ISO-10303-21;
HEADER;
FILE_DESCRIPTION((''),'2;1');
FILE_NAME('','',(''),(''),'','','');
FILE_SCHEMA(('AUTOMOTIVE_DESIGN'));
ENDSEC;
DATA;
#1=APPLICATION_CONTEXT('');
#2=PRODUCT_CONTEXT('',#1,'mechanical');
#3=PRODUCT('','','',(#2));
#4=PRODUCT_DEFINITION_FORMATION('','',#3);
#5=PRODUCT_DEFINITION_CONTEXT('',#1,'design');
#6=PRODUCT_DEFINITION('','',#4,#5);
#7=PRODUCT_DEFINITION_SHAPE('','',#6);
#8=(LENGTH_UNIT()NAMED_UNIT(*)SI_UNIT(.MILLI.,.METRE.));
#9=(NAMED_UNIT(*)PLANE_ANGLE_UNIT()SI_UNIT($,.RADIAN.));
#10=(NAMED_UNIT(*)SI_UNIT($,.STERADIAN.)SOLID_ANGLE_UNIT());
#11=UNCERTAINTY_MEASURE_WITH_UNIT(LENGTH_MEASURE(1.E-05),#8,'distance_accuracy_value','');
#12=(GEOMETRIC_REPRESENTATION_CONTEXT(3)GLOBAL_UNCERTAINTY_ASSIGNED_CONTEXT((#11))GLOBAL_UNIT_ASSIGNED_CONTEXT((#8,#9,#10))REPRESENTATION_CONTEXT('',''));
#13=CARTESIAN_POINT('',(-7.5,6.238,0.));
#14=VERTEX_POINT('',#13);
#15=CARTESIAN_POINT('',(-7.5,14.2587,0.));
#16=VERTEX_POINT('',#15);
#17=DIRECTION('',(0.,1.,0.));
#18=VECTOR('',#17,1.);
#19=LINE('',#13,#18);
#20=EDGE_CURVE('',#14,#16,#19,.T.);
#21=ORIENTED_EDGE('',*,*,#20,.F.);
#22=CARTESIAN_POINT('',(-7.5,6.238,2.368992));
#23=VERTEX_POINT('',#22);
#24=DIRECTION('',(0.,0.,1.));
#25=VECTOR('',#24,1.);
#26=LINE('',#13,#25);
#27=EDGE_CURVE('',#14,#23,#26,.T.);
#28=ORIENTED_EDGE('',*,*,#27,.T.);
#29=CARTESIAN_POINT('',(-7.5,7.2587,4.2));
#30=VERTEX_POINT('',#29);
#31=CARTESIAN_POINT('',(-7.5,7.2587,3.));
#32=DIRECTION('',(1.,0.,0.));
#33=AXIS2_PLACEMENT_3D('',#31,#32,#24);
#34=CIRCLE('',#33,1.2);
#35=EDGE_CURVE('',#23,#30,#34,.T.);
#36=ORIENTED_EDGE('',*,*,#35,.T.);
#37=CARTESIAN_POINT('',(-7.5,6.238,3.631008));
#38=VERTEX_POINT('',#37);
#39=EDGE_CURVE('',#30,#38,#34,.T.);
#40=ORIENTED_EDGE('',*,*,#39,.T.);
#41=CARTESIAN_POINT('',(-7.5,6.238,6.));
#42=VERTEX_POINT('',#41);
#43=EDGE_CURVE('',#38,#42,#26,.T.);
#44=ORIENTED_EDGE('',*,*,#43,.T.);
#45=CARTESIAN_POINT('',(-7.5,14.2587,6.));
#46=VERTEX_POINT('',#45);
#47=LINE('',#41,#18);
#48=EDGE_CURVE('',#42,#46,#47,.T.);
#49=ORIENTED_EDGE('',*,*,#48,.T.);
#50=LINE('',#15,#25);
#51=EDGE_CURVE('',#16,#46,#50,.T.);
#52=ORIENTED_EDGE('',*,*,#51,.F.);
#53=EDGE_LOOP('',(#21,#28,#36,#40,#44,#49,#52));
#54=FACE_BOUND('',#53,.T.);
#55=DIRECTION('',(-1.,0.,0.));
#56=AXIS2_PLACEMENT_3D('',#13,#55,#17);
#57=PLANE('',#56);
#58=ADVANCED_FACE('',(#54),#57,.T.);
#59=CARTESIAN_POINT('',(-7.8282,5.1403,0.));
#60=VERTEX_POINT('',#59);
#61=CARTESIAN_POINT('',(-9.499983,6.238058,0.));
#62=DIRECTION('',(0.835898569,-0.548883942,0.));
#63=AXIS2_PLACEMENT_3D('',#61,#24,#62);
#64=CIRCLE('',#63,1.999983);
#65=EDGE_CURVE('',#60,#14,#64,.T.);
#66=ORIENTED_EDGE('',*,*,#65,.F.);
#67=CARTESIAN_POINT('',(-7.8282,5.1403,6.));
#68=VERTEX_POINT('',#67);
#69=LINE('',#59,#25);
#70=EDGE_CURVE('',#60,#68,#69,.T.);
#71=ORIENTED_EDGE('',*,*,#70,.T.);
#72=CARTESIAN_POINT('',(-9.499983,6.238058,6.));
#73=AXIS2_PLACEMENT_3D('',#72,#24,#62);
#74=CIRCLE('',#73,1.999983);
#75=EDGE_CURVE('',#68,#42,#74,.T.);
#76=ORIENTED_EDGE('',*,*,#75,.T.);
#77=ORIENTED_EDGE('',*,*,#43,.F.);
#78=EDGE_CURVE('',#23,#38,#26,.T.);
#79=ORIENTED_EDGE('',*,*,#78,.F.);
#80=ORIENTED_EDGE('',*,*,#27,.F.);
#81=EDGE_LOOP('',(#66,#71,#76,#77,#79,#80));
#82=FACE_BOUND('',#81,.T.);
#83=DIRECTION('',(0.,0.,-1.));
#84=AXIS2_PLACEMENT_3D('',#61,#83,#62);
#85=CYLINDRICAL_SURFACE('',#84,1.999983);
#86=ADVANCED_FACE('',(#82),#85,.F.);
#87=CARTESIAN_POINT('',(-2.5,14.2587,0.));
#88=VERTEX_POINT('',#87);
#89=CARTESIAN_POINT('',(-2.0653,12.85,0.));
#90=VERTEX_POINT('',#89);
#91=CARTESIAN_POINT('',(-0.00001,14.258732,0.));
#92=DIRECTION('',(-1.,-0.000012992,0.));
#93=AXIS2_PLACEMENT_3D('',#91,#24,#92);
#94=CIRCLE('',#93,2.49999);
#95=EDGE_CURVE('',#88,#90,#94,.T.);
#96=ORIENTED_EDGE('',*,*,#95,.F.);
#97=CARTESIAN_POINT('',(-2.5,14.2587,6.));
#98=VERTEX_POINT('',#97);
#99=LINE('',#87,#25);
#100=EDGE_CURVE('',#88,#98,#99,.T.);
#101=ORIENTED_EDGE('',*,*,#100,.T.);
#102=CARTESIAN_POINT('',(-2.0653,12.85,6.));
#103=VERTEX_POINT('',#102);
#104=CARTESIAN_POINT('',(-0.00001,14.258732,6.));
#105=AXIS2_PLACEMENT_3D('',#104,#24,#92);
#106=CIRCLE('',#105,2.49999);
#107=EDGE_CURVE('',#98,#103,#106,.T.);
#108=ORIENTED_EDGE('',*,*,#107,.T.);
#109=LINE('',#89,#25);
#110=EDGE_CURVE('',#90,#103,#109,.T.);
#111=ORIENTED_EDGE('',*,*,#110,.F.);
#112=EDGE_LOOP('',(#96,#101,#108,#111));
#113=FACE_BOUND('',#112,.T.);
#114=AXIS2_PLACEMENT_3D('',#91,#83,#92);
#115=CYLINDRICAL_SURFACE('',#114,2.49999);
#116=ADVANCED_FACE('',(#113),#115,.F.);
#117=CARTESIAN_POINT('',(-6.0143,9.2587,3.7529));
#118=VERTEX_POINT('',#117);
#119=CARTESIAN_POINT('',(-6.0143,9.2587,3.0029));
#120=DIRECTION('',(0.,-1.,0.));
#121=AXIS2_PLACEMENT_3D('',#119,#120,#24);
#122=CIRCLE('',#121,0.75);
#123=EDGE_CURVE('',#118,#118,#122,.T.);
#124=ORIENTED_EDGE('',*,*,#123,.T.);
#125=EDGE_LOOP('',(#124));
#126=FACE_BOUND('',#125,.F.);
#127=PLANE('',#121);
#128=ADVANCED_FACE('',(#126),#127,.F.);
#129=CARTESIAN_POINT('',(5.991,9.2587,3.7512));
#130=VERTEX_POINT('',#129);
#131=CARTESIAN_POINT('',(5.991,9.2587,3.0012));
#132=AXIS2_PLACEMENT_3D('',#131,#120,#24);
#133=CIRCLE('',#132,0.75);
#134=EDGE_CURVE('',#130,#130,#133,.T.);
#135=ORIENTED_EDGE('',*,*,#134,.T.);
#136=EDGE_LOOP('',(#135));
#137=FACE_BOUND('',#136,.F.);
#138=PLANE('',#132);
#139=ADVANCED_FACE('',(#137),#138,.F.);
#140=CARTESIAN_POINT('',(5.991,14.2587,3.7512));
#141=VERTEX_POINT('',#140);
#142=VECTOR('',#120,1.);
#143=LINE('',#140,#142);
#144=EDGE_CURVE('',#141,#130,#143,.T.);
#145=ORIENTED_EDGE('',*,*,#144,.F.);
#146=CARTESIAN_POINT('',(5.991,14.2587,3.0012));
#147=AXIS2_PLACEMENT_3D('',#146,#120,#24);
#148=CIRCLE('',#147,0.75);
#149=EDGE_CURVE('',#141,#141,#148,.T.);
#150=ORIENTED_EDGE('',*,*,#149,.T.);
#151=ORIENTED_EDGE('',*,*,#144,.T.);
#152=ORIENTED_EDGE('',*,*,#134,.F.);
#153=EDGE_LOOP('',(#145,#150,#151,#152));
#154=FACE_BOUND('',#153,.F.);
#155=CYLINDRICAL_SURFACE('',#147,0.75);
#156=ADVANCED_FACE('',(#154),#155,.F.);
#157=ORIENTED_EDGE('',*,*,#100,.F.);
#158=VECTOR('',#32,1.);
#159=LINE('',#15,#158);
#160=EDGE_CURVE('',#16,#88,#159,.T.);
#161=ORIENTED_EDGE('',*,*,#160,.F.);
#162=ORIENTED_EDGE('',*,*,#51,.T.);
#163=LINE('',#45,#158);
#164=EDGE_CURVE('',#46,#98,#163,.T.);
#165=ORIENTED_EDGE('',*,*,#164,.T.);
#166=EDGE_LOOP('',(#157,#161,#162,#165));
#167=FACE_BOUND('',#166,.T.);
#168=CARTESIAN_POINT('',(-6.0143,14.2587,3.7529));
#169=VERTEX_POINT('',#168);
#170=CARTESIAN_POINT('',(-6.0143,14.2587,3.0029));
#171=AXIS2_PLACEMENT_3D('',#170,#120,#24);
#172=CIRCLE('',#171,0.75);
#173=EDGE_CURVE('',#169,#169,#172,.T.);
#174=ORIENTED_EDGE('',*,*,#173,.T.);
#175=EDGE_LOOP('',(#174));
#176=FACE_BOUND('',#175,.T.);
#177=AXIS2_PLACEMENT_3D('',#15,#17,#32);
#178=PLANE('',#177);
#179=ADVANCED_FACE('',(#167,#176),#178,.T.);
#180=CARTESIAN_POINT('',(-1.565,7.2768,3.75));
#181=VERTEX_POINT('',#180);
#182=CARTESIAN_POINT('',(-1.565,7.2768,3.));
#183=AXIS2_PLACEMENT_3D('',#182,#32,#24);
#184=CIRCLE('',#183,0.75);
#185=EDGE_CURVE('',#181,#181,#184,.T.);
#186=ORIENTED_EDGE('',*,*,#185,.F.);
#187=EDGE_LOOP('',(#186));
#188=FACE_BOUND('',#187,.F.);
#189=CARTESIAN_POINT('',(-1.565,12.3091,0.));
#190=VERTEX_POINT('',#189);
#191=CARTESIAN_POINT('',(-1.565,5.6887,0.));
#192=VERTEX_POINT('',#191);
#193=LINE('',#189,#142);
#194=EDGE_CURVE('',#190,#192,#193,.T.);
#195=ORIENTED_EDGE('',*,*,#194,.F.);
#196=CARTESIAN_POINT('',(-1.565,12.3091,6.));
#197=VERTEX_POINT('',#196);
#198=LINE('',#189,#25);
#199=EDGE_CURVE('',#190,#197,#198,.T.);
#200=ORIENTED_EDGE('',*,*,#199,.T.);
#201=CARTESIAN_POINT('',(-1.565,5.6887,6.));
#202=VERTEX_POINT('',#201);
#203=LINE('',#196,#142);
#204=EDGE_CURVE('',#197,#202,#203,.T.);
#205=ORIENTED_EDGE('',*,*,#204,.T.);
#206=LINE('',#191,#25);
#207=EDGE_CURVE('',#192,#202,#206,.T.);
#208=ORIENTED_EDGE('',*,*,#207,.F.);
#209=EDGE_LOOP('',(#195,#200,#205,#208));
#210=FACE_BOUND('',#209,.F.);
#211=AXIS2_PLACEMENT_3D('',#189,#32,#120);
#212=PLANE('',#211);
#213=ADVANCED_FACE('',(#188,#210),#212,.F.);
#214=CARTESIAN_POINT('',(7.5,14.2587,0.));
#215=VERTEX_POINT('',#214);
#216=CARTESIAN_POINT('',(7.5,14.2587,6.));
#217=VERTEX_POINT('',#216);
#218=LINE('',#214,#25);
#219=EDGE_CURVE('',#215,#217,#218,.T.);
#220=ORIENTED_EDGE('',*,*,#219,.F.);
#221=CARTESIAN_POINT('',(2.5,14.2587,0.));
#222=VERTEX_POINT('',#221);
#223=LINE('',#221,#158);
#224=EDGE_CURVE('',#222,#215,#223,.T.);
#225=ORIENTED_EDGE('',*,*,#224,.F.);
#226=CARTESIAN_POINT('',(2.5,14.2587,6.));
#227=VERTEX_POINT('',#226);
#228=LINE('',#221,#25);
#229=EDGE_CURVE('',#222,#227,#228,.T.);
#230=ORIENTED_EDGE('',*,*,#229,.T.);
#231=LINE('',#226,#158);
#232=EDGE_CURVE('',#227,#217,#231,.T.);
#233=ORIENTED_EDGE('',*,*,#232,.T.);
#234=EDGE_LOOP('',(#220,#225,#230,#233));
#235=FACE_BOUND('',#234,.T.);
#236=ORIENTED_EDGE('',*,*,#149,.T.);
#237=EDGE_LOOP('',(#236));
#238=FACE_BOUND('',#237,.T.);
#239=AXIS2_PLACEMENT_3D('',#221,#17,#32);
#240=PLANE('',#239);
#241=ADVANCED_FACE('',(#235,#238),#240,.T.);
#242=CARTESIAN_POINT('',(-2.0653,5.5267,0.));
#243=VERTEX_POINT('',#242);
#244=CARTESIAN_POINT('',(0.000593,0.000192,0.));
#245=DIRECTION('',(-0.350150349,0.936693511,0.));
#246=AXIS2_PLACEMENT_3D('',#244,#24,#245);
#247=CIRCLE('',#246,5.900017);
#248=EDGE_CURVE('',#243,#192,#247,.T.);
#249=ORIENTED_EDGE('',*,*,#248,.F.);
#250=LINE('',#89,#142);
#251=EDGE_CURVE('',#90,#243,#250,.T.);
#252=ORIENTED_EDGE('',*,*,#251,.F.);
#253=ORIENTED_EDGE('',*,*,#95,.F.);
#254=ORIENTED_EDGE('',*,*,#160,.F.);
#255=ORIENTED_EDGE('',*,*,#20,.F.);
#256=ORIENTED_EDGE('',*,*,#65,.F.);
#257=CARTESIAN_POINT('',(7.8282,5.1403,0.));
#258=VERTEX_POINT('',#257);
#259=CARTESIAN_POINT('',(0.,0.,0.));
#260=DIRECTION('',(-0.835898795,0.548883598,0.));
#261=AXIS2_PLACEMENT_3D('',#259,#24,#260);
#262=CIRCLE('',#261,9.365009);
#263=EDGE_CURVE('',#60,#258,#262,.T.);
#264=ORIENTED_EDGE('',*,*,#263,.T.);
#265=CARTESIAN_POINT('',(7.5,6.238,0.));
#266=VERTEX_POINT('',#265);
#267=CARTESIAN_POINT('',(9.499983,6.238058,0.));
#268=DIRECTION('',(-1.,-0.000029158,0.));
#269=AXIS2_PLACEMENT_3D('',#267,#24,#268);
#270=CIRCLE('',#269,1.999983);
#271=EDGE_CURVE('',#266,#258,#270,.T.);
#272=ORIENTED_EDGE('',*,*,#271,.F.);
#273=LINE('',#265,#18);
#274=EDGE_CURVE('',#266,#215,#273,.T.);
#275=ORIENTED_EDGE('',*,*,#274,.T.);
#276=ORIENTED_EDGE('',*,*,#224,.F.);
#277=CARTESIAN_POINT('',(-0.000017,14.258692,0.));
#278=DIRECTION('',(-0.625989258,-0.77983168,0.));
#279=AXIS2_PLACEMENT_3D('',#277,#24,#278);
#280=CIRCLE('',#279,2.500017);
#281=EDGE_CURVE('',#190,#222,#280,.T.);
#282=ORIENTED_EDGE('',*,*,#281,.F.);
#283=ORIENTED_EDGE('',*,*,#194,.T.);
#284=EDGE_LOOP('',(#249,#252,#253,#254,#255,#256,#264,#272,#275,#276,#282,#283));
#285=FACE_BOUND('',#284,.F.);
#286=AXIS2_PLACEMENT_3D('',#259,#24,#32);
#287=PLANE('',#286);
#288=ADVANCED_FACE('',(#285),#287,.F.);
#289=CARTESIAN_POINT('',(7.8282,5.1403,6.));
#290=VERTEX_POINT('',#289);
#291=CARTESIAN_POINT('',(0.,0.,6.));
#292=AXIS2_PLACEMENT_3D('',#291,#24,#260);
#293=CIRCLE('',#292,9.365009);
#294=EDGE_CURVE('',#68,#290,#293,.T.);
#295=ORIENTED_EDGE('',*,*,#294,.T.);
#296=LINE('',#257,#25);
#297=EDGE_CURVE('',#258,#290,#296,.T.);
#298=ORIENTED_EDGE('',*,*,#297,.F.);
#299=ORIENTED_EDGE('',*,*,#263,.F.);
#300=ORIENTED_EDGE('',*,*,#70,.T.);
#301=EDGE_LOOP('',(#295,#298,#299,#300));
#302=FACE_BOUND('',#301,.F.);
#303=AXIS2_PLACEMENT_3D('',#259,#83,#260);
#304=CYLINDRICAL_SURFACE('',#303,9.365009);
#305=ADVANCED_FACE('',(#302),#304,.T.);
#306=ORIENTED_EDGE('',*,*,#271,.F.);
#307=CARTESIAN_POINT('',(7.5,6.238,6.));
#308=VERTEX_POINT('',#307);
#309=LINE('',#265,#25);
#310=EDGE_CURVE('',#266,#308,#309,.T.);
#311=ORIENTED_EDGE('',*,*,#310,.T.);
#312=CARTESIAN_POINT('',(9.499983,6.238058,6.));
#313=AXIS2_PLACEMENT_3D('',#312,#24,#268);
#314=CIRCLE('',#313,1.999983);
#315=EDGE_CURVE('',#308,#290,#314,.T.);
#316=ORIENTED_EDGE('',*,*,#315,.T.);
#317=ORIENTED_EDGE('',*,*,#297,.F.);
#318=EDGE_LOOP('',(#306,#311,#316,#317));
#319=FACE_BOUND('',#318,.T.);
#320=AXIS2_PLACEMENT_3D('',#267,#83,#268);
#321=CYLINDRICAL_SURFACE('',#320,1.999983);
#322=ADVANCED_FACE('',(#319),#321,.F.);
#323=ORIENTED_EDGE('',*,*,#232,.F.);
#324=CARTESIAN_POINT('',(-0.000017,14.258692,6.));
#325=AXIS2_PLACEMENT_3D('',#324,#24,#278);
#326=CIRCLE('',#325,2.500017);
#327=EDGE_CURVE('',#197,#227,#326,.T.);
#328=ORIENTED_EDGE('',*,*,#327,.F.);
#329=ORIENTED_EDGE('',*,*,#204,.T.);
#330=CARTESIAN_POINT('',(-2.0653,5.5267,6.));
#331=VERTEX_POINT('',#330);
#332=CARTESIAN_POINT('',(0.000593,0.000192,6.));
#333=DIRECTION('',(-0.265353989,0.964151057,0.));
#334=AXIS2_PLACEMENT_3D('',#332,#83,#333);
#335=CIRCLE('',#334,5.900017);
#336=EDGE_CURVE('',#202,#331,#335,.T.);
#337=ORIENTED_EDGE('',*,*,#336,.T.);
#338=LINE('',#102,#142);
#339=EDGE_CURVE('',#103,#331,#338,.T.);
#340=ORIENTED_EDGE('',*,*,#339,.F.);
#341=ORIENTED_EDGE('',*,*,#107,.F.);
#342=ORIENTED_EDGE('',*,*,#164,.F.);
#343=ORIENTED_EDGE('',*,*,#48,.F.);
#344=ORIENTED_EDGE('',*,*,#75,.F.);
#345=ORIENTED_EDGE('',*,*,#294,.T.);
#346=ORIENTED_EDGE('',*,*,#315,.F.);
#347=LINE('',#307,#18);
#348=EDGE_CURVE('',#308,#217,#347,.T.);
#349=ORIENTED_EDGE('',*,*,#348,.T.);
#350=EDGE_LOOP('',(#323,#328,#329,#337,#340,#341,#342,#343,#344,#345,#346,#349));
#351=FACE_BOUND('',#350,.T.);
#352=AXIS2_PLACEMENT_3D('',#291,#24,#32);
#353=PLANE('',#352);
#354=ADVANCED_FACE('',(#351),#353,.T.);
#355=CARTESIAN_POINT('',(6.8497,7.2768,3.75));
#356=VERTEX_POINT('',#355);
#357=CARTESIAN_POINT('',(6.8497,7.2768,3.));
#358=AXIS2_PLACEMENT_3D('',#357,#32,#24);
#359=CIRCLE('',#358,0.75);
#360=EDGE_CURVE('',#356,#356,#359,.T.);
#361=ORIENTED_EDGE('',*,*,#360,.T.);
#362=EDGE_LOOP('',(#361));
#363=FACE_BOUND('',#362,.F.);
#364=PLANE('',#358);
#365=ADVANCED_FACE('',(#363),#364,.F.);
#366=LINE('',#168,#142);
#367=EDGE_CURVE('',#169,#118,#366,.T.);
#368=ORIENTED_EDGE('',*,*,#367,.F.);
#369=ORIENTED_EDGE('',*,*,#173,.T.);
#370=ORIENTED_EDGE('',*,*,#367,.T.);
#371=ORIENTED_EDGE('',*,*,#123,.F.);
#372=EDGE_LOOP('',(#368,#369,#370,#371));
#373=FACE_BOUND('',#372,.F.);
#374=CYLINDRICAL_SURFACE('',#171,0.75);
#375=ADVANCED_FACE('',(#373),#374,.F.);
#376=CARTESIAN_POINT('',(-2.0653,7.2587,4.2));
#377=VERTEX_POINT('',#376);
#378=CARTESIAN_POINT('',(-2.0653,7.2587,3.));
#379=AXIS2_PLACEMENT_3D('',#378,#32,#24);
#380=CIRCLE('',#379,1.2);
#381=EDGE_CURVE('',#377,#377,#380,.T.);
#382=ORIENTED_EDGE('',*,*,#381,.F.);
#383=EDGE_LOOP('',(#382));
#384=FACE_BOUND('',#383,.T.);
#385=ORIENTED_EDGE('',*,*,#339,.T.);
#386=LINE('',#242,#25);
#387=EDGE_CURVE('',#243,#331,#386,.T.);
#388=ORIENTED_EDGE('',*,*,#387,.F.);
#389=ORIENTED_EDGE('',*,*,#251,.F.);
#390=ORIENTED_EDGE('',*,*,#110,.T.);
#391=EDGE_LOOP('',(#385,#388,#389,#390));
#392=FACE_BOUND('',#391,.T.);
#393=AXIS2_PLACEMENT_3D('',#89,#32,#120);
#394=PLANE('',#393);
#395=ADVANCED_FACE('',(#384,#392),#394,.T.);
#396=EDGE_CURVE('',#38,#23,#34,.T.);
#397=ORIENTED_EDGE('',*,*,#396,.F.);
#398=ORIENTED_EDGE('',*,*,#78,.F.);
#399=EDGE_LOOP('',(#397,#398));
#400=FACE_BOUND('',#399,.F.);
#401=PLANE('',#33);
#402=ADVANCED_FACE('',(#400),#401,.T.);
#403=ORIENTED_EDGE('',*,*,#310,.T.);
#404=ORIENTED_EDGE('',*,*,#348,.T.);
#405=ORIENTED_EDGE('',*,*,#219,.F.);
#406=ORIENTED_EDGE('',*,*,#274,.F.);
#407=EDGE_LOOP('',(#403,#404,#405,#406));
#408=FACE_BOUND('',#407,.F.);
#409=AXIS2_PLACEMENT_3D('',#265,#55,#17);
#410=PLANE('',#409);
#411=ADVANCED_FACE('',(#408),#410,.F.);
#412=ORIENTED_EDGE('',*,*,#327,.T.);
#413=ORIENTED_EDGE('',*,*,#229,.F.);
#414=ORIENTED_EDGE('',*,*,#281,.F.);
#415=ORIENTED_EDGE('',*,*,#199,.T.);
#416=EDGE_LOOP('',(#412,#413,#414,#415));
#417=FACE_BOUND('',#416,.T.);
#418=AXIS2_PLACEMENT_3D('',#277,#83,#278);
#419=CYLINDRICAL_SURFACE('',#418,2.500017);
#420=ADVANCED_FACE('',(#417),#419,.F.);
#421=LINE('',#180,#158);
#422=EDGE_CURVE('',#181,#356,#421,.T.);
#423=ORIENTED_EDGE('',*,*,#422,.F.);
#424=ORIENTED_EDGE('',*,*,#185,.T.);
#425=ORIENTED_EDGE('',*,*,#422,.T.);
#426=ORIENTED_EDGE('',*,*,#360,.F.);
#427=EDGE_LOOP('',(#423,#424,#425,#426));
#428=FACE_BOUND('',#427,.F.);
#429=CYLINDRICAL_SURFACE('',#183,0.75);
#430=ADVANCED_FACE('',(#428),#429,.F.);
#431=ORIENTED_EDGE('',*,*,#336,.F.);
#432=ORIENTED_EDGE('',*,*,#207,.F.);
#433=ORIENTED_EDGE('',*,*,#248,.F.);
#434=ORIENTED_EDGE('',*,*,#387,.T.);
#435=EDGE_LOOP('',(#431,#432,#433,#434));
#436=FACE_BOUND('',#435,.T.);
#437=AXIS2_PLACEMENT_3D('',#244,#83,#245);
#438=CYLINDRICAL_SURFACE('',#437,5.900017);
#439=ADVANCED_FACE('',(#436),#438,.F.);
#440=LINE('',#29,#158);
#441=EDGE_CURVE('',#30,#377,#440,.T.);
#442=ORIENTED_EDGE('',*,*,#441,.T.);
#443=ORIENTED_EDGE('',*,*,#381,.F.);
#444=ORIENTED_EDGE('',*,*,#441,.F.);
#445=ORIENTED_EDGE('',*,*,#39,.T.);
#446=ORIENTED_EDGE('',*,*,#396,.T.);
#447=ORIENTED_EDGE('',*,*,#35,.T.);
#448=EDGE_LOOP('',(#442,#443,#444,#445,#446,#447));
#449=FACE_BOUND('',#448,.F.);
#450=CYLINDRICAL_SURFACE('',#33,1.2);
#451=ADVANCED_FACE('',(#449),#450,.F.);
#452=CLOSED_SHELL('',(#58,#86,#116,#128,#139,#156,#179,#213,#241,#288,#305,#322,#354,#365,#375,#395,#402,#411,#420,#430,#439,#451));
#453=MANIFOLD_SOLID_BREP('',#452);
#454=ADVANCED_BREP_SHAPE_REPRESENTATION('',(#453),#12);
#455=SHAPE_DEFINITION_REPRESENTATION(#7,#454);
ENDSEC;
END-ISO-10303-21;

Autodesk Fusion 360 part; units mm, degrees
sketch "Sketch1" plane through (0, 0, 0) normal (0, 0, 1) x (1, 0, 0)
  line L0 (-7.5, 14.2587) -> (-2.5, 14.2587)
  line L1 (-2.0653, 12.85) -> (-2.0653, 5.5267)
  arc A0 (-7.8282, 5.1403) -> (7.8282, 5.1403) centre (0, 0) ccw
  line L2 (-1.565, 12.3091) -> (-1.565, 5.6887)
  line L3 (-2.0653, 5.5267) -> (-2.0653, 12.85)
  line L4 (-7.5, 14.2587) -> (-2.5, 14.2587)
  line L5 (2.5, 14.2587) -> (7.5, 14.2587)
  arc A1 (-2.0653, 5.5267) -> (-1.565, 5.6887) centre (0, 0) ccw
  line L6 (-2.5, -19.9263) -> (2.5, -19.9263)
  arc A2 (-1.565, 12.3091) -> (2.5, 14.2587) centre (0, 14.2587) ccw
  arc A3 (-2.5, 14.2587) -> (-2.0653, 12.85) centre (0, 14.2587) ccw
  line L7 (0, 0) -> (-7.5, 0)
  line L8 (-7.5, 6.238) -> (-7.5, 14.2587)
  line L9 (0, 0) -> (7.5, 0)
  line L10 (7.5, 6.238) -> (7.5, 14.2587)
  line L11 (0, 17.4341) -> (0, 17.3504)
  arc A4 (-7.8282, 5.1403) -> (-7.5, 6.238) centre (-9.5, 6.238) ccw
  arc A5 (7.5, 6.238) -> (7.8282, 5.1403) centre (9.5, 6.238) ccw
  dimension "d1" = 11.8
  dimension "d5" = 5
  dimension "d25" = 7.5
  dimension "d26" = 7.5
  dimension "d27" = 2
extrude "Extrude1" add sketch "Sketch1" along normal blind 6 contours L0 L1 A0 L2 L3 L4 L5 A1 A2 A3 L8 L10 A4 A5
hole "Hole1" at (-7.5, 7.2587, 3) direction (1, 0, 0) diameter 2.4 depth 5.6892 tip angle 180
hole "Hole2" at (-1.565, 7.2768, 3) direction (1, 0, 0) diameter 1.5 depth 8.4147 tip angle 180
sketch "Sketch2" plane through (0, 14.2587, 0) normal (0, 1, 0) x (-1, 0, 0)
  line L0 (7.5233, 0) -> (-7.4993, 0)
  line L1 (-7.4993, 0) -> (-7.4993, 6.0044)
  line L2 (-7.4993, 6.0044) -> (7.5233, 6.0044)
  line L3 (7.5233, 6.0044) -> (7.5233, 0)
  line L4 (7.5233, 3.0022) -> (-7.4993, 3.0022)
  line L5 (6.012, 2.0757) -> (-5.988, 2.0757)
  line L6 (-5.988, 2.0757) -> (-5.988, 3.9288)
  line L7 (-5.988, 3.9288) -> (6.012, 3.9288)
  line L8 (6.012, 3.9288) -> (6.012, 2.0757)
  line L9 (6.012, 2.0757) -> (-5.988, 3.9288) construction
  line L10 (-5.988, 2.0757) -> (6.012, 3.9288) construction
  point P0 (0.012, 3.0022)
  dimension "d30" = 12
hole "Hole3" at (5.991, 14.2587, 3.0012) direction (0, -1, 0) diameter 1.5 depth 5 tip angle 180
hole "Hole4" at (-6.0143, 14.2587, 3.0029) direction (0, -1, 0) diameter 1.5 depth 5 tip angle 180
